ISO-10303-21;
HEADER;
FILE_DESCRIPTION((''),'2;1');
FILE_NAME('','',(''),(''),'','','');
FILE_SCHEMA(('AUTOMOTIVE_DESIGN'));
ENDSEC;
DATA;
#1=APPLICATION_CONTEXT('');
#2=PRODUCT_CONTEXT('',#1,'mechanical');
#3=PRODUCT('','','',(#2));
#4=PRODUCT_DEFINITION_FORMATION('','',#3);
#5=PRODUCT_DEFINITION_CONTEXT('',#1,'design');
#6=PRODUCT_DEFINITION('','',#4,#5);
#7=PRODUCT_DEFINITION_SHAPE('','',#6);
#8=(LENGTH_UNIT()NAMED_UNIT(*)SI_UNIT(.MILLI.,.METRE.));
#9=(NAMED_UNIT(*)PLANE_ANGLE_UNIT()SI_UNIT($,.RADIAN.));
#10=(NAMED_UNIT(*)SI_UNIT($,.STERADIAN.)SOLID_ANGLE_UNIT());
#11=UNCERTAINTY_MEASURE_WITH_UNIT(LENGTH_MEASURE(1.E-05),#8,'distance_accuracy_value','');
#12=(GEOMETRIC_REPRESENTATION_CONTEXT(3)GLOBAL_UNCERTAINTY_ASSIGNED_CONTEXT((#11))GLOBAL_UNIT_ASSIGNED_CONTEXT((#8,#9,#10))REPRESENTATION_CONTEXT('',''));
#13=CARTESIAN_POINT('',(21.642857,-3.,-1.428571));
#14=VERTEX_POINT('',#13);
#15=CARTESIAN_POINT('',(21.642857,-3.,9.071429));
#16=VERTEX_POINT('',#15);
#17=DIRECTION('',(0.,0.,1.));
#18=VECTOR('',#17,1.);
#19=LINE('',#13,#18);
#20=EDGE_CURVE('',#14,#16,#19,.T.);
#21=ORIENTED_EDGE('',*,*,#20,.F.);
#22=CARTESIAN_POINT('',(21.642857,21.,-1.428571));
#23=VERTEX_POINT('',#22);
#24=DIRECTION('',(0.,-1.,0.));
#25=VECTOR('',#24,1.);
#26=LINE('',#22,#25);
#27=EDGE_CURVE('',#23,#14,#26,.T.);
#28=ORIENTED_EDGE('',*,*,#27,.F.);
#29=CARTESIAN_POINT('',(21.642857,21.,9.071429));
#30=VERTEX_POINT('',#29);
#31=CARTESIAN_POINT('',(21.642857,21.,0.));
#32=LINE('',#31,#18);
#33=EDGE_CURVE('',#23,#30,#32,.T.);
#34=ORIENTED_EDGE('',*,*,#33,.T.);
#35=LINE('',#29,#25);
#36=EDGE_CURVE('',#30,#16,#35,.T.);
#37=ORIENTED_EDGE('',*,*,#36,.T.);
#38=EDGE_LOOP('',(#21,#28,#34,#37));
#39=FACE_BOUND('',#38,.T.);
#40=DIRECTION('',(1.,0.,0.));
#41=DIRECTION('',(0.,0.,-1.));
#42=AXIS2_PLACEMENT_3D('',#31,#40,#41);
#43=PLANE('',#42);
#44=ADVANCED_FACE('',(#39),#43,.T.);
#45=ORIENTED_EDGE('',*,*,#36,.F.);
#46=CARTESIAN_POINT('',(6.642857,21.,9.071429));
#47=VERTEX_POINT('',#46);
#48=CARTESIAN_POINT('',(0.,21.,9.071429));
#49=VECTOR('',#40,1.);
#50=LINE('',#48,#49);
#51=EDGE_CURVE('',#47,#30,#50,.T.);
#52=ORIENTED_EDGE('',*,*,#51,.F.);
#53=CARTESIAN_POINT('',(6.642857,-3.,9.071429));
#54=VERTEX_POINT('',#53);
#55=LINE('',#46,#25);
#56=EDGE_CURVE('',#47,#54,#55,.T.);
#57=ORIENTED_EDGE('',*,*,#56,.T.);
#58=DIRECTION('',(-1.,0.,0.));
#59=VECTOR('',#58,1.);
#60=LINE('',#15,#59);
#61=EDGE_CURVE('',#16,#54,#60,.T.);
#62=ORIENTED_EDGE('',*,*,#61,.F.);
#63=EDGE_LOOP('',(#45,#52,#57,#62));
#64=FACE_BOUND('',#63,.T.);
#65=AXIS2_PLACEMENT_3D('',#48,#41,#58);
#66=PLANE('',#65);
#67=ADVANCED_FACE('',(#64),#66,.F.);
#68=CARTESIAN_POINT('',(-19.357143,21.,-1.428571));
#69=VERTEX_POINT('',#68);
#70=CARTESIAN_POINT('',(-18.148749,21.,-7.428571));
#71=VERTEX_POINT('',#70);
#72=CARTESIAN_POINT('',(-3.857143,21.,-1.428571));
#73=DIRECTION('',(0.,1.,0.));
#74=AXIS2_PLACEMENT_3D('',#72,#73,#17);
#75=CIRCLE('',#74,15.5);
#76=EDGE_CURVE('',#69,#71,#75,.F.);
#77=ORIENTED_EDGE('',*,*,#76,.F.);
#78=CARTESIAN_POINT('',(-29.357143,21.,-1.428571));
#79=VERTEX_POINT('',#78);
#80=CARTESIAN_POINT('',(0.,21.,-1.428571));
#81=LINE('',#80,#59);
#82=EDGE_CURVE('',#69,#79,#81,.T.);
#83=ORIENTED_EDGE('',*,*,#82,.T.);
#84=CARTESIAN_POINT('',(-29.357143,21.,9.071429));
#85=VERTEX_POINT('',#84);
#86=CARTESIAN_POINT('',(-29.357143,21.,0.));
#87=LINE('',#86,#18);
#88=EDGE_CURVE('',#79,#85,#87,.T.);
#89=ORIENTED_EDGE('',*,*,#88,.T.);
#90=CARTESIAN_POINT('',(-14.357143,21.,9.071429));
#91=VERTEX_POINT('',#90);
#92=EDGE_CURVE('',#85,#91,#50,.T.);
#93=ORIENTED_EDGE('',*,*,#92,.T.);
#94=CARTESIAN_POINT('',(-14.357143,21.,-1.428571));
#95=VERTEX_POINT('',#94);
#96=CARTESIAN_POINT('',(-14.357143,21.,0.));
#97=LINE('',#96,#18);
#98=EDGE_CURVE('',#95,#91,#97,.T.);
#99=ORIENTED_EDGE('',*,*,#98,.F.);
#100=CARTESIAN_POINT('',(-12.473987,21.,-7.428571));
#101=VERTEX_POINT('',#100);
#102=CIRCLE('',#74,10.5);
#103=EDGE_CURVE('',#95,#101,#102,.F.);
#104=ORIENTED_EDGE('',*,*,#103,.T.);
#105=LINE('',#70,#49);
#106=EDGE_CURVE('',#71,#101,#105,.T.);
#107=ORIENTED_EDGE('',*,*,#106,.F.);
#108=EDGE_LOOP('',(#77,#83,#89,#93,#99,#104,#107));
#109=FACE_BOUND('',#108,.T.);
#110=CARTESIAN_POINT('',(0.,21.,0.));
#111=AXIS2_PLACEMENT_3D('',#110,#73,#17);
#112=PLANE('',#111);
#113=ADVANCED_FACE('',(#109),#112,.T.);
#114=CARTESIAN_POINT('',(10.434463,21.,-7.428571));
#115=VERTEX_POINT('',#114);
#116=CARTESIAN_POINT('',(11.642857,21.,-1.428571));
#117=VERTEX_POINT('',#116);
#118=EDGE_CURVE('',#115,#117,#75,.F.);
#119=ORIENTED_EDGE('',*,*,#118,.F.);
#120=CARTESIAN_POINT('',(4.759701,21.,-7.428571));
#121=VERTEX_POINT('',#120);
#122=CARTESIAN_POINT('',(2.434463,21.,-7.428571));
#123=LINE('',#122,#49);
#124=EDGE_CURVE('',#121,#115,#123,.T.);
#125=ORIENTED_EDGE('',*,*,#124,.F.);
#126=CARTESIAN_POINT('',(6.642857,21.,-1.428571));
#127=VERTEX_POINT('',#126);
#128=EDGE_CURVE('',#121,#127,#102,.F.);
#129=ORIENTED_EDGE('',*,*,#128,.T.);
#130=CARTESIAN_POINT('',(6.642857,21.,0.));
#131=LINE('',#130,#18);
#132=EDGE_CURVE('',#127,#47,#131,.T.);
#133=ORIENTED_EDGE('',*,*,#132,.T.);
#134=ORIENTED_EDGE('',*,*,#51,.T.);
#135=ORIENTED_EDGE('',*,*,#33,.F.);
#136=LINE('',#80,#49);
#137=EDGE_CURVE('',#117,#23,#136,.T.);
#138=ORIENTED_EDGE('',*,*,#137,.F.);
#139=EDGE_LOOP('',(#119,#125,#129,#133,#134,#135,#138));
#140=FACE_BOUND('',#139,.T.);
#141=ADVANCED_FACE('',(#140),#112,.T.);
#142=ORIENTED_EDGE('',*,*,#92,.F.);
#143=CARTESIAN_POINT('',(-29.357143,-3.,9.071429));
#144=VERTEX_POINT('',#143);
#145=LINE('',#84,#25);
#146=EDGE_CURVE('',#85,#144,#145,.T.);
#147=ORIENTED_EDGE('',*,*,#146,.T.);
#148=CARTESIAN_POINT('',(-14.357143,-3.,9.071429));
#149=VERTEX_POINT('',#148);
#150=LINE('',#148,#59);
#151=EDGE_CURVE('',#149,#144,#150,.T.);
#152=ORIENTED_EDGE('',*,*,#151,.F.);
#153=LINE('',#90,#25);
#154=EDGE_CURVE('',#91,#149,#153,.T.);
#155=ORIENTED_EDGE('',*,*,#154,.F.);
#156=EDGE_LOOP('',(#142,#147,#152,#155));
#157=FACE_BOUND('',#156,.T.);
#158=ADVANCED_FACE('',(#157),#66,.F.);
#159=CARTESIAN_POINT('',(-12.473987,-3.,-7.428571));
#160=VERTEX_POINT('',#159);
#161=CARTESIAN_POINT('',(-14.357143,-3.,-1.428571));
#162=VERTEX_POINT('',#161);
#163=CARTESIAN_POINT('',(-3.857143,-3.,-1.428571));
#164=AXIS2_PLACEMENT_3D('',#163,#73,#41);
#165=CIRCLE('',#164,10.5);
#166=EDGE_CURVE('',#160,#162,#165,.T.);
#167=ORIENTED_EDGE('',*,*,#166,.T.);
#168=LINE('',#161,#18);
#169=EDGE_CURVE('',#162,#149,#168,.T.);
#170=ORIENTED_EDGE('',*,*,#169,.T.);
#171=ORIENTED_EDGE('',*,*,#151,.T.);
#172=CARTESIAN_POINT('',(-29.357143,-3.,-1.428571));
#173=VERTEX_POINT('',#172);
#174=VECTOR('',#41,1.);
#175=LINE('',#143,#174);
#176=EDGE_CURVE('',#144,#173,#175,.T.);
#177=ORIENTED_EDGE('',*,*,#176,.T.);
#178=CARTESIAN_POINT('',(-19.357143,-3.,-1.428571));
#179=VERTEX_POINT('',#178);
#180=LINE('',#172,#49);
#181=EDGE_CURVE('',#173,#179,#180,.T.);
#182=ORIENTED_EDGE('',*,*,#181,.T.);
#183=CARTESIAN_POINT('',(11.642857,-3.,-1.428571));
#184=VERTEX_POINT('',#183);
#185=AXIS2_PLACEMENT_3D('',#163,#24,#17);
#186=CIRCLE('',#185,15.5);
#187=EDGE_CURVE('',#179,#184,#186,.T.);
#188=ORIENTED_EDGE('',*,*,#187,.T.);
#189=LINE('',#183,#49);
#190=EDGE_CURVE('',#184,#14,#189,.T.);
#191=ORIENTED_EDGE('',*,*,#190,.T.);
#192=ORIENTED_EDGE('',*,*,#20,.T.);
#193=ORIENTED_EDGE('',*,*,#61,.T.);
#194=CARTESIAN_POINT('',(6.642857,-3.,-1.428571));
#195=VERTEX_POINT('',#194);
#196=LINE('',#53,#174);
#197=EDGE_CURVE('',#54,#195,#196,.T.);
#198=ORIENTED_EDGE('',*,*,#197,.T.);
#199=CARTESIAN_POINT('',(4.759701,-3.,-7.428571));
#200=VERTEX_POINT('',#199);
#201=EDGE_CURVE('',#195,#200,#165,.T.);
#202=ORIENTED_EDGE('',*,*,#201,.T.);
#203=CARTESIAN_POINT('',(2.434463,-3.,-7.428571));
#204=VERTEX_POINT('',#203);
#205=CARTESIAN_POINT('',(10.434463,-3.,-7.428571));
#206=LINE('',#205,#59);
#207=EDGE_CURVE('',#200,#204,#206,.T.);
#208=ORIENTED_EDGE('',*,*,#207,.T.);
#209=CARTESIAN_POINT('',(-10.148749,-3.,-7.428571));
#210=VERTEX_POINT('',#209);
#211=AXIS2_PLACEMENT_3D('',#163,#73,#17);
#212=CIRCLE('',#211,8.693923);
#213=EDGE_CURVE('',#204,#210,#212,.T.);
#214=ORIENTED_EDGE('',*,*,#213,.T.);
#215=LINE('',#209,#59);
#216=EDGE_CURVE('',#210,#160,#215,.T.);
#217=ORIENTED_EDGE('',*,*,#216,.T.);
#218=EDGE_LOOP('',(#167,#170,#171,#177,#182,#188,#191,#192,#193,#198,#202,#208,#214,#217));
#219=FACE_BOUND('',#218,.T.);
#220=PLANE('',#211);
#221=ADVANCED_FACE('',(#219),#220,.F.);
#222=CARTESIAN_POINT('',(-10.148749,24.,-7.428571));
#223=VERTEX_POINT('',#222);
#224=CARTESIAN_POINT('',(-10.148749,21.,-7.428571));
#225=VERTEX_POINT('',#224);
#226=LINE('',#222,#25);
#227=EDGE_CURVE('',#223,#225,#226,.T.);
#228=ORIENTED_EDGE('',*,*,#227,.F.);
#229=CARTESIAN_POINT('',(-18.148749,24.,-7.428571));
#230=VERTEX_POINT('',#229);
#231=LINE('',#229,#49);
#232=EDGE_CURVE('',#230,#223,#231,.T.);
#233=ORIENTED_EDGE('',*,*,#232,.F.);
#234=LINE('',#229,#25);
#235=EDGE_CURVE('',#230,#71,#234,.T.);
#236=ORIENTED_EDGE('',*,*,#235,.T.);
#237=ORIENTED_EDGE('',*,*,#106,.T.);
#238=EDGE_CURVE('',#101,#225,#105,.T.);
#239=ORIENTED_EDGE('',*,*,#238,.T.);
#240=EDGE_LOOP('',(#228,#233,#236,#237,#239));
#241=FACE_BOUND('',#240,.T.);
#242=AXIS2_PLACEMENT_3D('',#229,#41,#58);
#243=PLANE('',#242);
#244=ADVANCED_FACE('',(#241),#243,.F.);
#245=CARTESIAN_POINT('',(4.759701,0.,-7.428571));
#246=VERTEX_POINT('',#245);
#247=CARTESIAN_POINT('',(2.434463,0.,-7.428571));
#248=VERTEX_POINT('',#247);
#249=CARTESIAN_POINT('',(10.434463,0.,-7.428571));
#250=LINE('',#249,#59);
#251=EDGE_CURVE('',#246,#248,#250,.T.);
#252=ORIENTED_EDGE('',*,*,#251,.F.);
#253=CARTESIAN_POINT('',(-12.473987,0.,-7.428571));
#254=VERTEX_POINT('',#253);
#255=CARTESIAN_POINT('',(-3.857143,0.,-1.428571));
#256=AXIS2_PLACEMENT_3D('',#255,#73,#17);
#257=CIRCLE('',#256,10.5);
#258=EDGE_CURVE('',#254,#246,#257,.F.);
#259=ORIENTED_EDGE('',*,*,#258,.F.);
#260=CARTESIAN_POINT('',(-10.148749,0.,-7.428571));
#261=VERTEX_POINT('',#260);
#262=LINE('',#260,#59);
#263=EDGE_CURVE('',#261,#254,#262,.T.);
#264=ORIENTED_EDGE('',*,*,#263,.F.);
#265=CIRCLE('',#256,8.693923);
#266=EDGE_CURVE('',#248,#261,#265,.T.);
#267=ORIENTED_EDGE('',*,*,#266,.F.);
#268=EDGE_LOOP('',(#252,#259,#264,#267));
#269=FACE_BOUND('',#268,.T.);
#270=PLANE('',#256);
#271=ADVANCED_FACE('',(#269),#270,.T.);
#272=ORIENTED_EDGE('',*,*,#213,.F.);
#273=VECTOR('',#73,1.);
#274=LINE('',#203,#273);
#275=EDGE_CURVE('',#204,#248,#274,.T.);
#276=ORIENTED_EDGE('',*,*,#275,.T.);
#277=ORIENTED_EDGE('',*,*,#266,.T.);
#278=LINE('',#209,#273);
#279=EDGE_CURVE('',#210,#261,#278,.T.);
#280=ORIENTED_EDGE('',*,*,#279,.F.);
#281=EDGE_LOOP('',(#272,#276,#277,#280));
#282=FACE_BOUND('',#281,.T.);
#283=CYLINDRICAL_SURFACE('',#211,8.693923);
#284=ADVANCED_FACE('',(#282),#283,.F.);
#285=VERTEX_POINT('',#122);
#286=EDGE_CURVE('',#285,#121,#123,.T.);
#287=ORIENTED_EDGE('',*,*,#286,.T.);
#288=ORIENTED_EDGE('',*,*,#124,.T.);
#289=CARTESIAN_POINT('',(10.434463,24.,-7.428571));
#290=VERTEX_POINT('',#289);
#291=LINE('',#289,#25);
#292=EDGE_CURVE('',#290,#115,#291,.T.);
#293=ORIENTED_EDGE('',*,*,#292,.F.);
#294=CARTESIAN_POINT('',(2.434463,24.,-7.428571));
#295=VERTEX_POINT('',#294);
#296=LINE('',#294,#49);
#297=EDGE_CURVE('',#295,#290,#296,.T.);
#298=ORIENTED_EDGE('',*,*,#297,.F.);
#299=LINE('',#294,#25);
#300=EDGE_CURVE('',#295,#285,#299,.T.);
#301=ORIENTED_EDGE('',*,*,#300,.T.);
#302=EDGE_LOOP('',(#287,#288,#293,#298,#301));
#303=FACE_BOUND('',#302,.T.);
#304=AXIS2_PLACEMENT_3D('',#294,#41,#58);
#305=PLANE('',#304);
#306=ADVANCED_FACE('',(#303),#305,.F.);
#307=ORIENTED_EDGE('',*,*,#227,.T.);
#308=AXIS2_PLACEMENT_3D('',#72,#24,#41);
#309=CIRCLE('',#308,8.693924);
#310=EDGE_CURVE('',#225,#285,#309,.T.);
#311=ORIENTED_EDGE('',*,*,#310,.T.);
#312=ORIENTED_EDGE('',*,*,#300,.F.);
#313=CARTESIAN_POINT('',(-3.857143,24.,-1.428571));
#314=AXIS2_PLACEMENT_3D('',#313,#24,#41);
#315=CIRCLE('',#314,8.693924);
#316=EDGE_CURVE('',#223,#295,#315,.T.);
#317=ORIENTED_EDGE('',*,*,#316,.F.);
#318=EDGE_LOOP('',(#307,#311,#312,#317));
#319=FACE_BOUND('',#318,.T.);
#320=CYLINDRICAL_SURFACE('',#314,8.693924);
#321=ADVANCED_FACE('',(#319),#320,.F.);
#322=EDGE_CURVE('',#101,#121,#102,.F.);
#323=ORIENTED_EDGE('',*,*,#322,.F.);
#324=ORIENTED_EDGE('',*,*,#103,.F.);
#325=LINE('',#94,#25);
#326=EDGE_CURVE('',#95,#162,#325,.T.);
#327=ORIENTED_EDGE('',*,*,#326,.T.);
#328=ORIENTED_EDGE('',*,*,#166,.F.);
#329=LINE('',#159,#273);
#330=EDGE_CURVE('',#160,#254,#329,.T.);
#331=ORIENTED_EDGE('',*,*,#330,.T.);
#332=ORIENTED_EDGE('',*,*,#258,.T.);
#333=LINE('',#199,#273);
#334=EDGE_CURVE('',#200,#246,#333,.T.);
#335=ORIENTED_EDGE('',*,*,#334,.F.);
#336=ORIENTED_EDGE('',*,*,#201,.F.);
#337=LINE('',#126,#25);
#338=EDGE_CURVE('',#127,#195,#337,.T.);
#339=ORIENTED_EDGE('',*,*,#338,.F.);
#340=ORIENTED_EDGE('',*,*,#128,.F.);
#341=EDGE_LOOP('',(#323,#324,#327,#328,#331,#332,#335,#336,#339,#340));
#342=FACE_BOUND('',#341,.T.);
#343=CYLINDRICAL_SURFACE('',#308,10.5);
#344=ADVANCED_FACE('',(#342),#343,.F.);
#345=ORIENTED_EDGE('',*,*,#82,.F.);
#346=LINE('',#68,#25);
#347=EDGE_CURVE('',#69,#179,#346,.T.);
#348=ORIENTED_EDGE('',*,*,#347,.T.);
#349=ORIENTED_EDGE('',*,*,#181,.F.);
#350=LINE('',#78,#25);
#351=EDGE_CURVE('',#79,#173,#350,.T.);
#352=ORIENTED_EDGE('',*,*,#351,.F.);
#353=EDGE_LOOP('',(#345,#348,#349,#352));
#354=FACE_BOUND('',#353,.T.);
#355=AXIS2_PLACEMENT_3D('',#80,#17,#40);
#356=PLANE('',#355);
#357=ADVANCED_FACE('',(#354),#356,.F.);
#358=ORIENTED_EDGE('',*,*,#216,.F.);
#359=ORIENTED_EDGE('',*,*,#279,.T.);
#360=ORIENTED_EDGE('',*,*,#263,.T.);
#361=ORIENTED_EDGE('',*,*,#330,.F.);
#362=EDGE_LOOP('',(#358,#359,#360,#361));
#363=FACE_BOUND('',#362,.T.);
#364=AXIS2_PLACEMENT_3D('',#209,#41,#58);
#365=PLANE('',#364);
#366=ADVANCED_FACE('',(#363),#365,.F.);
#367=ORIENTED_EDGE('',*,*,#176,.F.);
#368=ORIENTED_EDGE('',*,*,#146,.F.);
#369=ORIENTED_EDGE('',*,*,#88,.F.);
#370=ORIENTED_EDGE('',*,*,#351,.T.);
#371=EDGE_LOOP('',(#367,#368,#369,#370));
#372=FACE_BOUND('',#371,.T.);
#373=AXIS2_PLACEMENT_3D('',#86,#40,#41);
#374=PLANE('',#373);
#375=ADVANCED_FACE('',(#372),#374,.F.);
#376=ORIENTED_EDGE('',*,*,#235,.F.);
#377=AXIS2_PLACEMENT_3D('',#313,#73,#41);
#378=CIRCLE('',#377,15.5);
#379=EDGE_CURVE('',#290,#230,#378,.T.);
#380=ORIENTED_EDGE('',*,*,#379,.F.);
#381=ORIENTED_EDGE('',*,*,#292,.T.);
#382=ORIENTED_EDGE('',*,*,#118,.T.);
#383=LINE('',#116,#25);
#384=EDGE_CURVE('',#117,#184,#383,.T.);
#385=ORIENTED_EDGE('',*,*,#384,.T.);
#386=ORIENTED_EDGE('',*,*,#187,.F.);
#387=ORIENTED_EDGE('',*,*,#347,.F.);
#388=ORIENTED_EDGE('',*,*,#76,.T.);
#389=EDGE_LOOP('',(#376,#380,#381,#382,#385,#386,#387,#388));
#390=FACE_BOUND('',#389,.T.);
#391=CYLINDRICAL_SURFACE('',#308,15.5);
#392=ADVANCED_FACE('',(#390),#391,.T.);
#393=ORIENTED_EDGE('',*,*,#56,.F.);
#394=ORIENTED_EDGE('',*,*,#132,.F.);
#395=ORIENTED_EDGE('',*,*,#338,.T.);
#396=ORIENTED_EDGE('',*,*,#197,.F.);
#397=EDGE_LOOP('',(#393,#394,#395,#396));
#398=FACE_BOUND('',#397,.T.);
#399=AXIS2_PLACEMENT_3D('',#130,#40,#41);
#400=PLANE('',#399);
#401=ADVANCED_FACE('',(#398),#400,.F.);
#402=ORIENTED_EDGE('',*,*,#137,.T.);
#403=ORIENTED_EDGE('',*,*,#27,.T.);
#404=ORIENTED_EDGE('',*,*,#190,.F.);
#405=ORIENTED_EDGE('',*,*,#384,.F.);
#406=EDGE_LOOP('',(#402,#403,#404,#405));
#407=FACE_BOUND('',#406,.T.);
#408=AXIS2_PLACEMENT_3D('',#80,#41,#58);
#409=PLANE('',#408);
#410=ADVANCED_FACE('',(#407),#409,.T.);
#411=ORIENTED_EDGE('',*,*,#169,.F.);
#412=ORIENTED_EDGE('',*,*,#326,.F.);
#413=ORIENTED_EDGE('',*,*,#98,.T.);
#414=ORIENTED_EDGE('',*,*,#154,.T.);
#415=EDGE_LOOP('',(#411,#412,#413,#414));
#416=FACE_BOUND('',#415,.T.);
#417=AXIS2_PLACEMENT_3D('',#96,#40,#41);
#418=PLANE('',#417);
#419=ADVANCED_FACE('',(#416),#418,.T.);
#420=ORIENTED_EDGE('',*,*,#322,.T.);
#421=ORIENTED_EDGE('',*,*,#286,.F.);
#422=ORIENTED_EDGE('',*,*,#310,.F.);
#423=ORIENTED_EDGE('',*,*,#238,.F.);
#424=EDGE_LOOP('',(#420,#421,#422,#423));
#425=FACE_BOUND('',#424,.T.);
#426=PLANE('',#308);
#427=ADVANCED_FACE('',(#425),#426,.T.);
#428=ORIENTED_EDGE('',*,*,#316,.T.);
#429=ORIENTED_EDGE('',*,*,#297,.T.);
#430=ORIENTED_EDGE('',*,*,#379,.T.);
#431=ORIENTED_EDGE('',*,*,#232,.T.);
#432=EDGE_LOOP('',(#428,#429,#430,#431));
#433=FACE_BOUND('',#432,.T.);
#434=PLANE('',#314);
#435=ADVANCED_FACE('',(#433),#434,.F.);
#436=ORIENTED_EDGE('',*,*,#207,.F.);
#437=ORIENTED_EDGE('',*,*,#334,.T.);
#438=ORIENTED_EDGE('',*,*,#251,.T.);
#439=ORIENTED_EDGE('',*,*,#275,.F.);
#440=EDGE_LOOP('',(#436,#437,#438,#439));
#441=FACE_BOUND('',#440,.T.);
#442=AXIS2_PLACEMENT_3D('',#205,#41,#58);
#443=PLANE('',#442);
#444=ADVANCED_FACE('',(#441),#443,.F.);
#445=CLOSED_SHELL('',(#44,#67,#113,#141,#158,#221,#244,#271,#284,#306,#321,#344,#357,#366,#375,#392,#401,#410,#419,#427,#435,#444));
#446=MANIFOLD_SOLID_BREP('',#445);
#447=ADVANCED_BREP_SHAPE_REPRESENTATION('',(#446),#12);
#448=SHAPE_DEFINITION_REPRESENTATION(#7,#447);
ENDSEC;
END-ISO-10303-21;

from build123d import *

# Parameters (mm, degrees)
BOSS_EXTRU_1_DEPTH = 21
BOSS_EXTRU_2_DEPTH = 3
BOSS_EXTRU_3_START = 3
BOSS_EXTRU_3_DEPTH = 3
BOSS_EXTRU_5_START = 3
BOSS_EXTRU_5_DEPTH = 3


with BuildPart() as part:
    # Esquisse1 → Boss.-Extru.1 (new body)
    with BuildSketch(Plane(origin=(0, 0, 0), x_dir=(1, 0, 0), z_dir=(0, 1, 0))):
        with BuildLine():
            ThreePointArc((-19.357142857, 1.428571429), (-3.857142857, 16.928571429), (11.642857143, 1.428571429))
            Line((11.642857143, 1.428571429), (21.642857143, 1.428571429))
            Line((21.642857143, 1.428571429), (21.642857143, -9.071428571))
            Line((21.642857143, -9.071428571), (11.642857143, -9.071428571))
            Line((11.642857143, -9.071428571), (6.642857143, -9.071428571))
            Line((6.642857143, -9.071428571), (6.642857143, 1.428571429))
            ThreePointArc((6.642857143, 1.428571429), (-3.857142857, 11.928571429), (-14.357142857, 1.428571429))
            Line((-14.357142857, 1.428571429), (-14.357142857, -9.071428571))
            Line((-14.357142857, -9.071428571), (-19.357142857, -9.071428571))
            Line((-19.357142857, -9.071428571), (-29.357142857, -9.071428571))
            Line((-29.357142857, -9.071428571), (-29.357142857, 1.428571429))
            Line((-29.357142857, 1.428571429), (-19.357142857, 1.428571429))
        make_face()
    extrude(amount=BOSS_EXTRU_1_DEPTH)

    # Esquisse2 → Boss.-Extru.2 (add)
    with BuildSketch(Plane(origin=(0, 21, 0), x_dir=(1, 0, 0), z_dir=(0, 1, 0))):
        with BuildLine():
            Line((-18.148749115, 7.428571429), (-10.148749115, 7.428571429))
            ThreePointArc((-10.148749115, 7.428571429), (-3.857142857, 10.122495129), (2.4344634, 7.428571429))
            Line((2.4344634, 7.428571429), (10.4344634, 7.428571429))
            ThreePointArc((10.4344634, 7.428571429), (-3.857142857, 16.928571733), (-18.148749115, 7.428571429))
        make_face()
    extrude(amount=BOSS_EXTRU_2_DEPTH)

    # Esquisse3 → Boss.-Extru.3 (add)
    with BuildSketch(Plane(origin=(0, 0, 0), x_dir=(-1, 0, 0), z_dir=(0, -1, 0)).offset(BOSS_EXTRU_3_START)):
        with BuildLine():
            Line((-10.434463071, 7.428571429), (-2.434463071, 7.428571429))
            ThreePointArc((-2.434463071, 7.428571429), (3.857142857, 10.12249489), (10.148748785, 7.428571429))
            Line((10.148748785, 7.428571429), (18.148748785, 7.428571429))
            ThreePointArc((18.148748785, 7.428571429), (3.857142857, 16.928571429), (-10.434463071, 7.428571429))
        make_face()
    extrude(amount=-BOSS_EXTRU_3_DEPTH)

    # Esquisse5 → Boss.-Extru.5 (add)
    with BuildSketch(Plane.XZ.offset(BOSS_EXTRU_5_START)):
        with BuildLine():
            Line((-18.148748785, -7.428571429), (-12.473986827, -7.428571429))
            ThreePointArc((-12.473986827, -7.428571429), (-13.875297919, -4.572862948), (-14.357142857, -1.428571429))
            Line((-14.357142857, -1.428571429), (-14.357142857, 9.071428571))
            Line((-14.357142857, 9.071428571), (-29.357142857, 9.071428571))
            Line((-29.357142857, 9.071428571), (-29.357142857, -1.428571429))
            Line((-29.357142857, -1.428571429), (-19.357142857, -1.428571429))
            ThreePointArc((-19.357142857, -1.428571429), (-19.052041539, -4.488809011), (-18.148748785, -7.428571429))
        make_face()
        with BuildLine():
            Line((4.759701113, -7.428571429), (10.434463071, -7.428571429))
            ThreePointArc((10.434463071, -7.428571429), (11.337755824, -4.488809011), (11.642857143, -1.428571429))
            Line((11.642857143, -1.428571429), (21.642857143, -1.428571429))
            Line((21.642857143, -1.428571429), (21.642857143, 9.071428571))
            Line((21.642857143, 9.071428571), (6.642857143, 9.071428571))
            Line((6.642857143, 9.071428571), (6.642857143, -1.428571429))
            ThreePointArc((6.642857143, -1.428571429), (6.161012205, -4.572862948), (4.759701113, -7.428571429))
        make_face()
    extrude(amount=-BOSS_EXTRU_5_DEPTH)


solid = part.part
